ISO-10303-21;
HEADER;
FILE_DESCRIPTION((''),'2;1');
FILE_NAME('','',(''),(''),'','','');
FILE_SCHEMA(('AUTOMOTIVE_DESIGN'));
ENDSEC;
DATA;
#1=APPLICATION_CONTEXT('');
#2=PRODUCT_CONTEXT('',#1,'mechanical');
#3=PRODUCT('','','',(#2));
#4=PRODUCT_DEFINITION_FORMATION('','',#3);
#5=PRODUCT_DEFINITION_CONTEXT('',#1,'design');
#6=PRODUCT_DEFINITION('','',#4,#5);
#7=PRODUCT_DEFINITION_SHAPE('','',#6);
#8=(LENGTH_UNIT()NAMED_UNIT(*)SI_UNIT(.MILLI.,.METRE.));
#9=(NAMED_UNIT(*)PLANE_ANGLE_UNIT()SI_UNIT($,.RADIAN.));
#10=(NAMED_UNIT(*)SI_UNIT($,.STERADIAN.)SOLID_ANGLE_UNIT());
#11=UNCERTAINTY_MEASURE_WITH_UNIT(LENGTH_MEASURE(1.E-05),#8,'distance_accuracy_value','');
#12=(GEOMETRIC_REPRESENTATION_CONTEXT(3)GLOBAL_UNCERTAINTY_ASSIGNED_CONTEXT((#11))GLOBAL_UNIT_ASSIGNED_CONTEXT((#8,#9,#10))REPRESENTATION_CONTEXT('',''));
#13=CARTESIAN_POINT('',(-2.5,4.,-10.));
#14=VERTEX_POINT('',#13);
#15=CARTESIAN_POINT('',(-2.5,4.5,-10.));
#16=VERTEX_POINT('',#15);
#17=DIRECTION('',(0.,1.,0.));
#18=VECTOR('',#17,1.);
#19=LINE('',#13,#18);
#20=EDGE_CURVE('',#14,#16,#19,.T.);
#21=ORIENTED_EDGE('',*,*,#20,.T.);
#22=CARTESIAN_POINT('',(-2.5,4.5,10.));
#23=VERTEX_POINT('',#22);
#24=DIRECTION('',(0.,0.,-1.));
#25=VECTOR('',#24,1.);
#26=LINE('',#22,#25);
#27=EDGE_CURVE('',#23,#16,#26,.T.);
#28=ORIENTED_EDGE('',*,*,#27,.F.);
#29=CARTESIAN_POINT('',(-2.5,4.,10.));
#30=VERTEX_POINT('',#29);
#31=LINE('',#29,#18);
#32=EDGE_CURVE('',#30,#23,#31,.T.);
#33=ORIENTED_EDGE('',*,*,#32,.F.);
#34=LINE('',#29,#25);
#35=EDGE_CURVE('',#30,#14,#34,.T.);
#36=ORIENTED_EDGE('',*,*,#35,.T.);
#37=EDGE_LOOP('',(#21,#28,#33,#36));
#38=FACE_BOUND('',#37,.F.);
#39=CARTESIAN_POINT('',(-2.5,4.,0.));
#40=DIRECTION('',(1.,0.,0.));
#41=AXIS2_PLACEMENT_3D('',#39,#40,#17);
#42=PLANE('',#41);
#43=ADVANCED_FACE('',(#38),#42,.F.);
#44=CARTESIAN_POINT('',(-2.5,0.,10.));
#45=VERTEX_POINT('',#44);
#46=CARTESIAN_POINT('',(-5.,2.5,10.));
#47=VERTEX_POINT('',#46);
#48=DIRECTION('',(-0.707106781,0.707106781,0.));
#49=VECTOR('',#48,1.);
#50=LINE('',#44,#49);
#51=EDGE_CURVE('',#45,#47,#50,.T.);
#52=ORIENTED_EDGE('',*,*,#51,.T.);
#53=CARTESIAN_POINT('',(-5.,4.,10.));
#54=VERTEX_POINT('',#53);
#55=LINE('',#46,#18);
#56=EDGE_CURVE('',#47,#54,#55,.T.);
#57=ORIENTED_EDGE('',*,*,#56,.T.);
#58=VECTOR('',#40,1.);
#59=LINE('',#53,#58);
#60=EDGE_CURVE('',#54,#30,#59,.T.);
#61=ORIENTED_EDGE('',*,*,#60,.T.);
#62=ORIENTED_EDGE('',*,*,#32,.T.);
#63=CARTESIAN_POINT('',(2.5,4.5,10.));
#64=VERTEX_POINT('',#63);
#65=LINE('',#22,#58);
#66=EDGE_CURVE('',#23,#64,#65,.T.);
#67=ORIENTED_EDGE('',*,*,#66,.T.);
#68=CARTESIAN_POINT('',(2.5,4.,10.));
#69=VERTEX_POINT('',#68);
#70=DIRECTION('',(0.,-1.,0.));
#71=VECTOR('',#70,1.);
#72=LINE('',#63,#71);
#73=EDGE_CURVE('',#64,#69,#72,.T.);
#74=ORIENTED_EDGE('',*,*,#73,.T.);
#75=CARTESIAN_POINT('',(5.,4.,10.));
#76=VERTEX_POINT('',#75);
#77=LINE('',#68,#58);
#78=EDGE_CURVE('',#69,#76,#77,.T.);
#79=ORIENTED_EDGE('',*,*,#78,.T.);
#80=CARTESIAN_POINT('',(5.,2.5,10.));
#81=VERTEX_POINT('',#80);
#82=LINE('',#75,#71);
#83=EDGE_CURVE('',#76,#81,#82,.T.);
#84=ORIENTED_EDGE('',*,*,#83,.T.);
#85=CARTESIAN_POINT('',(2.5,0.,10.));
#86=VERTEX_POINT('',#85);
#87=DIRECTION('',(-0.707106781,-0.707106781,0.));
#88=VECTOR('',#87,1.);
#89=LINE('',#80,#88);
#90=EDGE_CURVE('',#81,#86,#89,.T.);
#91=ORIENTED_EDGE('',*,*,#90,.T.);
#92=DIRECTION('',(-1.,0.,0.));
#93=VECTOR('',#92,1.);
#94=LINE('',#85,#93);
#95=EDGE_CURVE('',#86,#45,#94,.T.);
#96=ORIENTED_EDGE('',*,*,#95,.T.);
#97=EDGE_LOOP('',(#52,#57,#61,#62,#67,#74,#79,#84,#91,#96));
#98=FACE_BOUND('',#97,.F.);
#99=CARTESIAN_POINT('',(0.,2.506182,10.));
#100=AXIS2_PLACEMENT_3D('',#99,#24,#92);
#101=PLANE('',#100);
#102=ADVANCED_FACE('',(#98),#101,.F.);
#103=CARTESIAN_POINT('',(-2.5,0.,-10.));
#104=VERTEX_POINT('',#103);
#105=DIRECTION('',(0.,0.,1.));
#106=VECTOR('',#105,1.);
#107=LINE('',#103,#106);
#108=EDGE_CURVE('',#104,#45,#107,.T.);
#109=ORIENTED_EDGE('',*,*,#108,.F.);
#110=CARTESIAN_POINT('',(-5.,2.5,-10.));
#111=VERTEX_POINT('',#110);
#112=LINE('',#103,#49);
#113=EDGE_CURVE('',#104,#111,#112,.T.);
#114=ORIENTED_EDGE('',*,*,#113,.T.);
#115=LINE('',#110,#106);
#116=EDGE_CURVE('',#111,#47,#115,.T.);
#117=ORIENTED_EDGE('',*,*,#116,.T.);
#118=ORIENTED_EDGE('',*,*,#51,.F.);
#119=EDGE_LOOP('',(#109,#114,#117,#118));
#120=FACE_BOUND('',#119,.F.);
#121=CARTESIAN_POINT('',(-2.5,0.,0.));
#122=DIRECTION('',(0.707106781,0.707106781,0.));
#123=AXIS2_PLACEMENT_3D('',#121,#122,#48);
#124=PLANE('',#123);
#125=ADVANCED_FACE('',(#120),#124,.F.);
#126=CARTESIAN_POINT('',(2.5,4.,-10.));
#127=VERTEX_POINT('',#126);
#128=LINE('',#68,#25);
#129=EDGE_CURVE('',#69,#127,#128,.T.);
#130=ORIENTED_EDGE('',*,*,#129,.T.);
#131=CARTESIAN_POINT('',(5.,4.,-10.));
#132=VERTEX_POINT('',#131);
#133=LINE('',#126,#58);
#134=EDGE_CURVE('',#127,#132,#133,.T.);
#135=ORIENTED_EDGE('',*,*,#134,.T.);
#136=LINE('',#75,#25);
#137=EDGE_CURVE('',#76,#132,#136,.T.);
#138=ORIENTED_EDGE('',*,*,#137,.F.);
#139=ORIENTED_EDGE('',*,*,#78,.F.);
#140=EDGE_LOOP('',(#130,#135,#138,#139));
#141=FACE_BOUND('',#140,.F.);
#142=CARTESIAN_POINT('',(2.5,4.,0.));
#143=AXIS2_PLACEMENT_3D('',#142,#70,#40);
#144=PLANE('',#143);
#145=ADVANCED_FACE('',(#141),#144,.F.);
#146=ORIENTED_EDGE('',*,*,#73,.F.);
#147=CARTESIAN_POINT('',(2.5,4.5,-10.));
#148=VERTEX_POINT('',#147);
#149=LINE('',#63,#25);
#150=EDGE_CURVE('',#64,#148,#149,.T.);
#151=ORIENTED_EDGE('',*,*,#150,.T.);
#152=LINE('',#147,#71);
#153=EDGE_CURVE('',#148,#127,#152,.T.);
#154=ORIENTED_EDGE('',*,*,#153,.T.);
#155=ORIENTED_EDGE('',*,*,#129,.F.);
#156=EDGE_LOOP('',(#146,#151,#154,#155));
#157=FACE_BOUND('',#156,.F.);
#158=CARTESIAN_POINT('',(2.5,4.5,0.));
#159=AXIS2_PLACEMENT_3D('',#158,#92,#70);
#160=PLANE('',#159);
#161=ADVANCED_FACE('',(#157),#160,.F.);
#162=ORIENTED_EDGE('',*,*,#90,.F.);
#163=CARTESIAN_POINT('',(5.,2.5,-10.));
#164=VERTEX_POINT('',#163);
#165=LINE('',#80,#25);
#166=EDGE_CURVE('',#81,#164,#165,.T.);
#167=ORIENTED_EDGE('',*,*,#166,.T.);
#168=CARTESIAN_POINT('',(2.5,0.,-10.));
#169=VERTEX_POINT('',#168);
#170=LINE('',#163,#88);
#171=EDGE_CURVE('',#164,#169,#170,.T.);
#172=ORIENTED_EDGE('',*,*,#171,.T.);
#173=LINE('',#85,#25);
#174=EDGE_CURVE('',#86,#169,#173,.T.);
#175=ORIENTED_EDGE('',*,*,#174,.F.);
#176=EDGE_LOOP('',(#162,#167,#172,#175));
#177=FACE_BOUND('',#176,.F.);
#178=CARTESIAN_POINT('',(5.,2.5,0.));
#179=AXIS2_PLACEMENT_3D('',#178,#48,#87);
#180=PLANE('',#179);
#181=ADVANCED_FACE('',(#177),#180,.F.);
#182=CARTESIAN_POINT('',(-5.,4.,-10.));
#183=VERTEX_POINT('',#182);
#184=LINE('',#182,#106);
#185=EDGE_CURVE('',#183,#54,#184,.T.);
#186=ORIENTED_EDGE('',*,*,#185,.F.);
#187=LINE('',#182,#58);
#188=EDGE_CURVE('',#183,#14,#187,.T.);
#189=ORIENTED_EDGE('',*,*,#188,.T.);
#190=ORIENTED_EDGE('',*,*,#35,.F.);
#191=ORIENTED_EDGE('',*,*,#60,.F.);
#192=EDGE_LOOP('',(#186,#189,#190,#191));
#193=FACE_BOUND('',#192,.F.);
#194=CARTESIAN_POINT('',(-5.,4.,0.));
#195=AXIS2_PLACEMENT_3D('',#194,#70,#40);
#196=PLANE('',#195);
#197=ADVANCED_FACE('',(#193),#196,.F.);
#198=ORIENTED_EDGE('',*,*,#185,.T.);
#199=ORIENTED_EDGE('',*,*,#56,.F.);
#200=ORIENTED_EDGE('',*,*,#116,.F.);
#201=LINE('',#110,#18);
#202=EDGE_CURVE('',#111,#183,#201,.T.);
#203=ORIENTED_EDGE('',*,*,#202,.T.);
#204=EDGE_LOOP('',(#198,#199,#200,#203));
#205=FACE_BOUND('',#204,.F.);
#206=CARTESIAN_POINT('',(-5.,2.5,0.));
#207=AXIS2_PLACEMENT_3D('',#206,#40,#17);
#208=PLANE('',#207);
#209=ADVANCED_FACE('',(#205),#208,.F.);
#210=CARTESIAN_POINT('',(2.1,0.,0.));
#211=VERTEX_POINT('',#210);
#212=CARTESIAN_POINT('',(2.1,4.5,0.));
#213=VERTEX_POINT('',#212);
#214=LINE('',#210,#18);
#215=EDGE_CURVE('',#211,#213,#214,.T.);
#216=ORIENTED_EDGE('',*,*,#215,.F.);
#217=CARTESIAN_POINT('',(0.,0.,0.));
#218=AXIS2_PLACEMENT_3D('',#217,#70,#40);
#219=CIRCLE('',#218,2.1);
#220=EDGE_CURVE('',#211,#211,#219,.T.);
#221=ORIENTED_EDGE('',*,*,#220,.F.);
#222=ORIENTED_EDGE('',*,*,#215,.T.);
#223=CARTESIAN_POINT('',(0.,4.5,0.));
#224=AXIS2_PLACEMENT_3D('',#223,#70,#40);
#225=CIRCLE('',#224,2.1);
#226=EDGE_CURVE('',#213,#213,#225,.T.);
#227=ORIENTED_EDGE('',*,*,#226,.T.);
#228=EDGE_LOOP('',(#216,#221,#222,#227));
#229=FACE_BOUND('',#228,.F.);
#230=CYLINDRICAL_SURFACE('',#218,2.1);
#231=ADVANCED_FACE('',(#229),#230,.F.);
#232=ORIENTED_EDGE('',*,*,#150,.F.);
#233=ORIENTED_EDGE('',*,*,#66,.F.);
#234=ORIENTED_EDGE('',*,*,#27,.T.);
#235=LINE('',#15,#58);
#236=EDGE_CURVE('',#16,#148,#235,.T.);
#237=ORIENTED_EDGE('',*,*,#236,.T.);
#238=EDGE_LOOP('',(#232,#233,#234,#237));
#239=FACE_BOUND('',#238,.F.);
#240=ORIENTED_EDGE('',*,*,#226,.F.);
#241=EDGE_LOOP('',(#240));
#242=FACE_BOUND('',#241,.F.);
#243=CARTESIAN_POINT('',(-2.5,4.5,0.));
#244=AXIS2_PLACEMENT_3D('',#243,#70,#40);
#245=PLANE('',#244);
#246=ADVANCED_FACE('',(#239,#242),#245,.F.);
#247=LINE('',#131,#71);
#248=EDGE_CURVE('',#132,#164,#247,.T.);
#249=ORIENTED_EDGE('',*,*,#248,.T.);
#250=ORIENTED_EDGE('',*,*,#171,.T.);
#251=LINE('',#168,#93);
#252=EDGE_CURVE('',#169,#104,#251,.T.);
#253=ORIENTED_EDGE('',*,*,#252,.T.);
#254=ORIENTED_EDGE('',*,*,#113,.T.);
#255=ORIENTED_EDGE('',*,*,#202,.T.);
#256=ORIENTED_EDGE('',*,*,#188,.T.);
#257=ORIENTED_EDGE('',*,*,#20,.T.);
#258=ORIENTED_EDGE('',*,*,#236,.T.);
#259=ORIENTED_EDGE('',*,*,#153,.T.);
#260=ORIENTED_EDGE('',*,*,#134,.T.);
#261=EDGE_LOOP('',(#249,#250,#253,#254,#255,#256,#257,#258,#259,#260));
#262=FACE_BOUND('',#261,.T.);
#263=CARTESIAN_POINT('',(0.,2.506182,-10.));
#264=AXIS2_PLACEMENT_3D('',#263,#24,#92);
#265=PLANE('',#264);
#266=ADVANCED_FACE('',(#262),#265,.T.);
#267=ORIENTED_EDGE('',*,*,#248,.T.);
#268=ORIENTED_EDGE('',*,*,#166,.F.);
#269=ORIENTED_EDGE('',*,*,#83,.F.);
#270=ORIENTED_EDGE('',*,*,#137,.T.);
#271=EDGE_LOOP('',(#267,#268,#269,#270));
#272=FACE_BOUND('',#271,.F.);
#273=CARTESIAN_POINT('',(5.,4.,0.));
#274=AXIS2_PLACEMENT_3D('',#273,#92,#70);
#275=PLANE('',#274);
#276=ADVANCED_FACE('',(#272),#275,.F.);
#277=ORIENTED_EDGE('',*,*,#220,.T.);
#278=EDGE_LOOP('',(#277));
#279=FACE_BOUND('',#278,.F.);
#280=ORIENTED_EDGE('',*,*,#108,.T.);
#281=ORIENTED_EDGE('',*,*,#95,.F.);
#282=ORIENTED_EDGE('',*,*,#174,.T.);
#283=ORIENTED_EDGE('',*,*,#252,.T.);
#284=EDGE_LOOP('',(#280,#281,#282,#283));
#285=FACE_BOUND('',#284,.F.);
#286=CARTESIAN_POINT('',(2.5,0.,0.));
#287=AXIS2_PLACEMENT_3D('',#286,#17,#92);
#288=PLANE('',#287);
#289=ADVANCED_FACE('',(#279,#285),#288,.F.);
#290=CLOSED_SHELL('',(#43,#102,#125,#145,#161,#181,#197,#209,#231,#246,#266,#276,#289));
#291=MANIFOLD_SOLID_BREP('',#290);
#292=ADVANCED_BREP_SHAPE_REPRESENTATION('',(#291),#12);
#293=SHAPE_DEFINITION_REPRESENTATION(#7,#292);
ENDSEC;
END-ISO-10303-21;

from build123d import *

# Parameters (mm, degrees)
PAD_DEPTH    = 10
SKETCH001_R  = 2.1
POCKET_DEPTH = 5


with BuildPart() as part:
    # Sketch → Pad (new body, symmetric)
    with BuildSketch(Plane.XY):
        Polygon((-5, 4), (-2.5, 4), (-2.5, 4.5), (2.5, 4.5), (2.5, 4), (5, 4), (5, 2.5), (2.5, 0), (-2.5, 0), (-5, 2.5), align=None)
    extrude(amount=PAD_DEPTH, both=True)

    # Sketch001 → Pocket (cut)
    with BuildSketch(Plane.XZ):
        Circle(SKETCH001_R)
    extrude(amount=-POCKET_DEPTH, mode=Mode.SUBTRACT)


solid = part.part
